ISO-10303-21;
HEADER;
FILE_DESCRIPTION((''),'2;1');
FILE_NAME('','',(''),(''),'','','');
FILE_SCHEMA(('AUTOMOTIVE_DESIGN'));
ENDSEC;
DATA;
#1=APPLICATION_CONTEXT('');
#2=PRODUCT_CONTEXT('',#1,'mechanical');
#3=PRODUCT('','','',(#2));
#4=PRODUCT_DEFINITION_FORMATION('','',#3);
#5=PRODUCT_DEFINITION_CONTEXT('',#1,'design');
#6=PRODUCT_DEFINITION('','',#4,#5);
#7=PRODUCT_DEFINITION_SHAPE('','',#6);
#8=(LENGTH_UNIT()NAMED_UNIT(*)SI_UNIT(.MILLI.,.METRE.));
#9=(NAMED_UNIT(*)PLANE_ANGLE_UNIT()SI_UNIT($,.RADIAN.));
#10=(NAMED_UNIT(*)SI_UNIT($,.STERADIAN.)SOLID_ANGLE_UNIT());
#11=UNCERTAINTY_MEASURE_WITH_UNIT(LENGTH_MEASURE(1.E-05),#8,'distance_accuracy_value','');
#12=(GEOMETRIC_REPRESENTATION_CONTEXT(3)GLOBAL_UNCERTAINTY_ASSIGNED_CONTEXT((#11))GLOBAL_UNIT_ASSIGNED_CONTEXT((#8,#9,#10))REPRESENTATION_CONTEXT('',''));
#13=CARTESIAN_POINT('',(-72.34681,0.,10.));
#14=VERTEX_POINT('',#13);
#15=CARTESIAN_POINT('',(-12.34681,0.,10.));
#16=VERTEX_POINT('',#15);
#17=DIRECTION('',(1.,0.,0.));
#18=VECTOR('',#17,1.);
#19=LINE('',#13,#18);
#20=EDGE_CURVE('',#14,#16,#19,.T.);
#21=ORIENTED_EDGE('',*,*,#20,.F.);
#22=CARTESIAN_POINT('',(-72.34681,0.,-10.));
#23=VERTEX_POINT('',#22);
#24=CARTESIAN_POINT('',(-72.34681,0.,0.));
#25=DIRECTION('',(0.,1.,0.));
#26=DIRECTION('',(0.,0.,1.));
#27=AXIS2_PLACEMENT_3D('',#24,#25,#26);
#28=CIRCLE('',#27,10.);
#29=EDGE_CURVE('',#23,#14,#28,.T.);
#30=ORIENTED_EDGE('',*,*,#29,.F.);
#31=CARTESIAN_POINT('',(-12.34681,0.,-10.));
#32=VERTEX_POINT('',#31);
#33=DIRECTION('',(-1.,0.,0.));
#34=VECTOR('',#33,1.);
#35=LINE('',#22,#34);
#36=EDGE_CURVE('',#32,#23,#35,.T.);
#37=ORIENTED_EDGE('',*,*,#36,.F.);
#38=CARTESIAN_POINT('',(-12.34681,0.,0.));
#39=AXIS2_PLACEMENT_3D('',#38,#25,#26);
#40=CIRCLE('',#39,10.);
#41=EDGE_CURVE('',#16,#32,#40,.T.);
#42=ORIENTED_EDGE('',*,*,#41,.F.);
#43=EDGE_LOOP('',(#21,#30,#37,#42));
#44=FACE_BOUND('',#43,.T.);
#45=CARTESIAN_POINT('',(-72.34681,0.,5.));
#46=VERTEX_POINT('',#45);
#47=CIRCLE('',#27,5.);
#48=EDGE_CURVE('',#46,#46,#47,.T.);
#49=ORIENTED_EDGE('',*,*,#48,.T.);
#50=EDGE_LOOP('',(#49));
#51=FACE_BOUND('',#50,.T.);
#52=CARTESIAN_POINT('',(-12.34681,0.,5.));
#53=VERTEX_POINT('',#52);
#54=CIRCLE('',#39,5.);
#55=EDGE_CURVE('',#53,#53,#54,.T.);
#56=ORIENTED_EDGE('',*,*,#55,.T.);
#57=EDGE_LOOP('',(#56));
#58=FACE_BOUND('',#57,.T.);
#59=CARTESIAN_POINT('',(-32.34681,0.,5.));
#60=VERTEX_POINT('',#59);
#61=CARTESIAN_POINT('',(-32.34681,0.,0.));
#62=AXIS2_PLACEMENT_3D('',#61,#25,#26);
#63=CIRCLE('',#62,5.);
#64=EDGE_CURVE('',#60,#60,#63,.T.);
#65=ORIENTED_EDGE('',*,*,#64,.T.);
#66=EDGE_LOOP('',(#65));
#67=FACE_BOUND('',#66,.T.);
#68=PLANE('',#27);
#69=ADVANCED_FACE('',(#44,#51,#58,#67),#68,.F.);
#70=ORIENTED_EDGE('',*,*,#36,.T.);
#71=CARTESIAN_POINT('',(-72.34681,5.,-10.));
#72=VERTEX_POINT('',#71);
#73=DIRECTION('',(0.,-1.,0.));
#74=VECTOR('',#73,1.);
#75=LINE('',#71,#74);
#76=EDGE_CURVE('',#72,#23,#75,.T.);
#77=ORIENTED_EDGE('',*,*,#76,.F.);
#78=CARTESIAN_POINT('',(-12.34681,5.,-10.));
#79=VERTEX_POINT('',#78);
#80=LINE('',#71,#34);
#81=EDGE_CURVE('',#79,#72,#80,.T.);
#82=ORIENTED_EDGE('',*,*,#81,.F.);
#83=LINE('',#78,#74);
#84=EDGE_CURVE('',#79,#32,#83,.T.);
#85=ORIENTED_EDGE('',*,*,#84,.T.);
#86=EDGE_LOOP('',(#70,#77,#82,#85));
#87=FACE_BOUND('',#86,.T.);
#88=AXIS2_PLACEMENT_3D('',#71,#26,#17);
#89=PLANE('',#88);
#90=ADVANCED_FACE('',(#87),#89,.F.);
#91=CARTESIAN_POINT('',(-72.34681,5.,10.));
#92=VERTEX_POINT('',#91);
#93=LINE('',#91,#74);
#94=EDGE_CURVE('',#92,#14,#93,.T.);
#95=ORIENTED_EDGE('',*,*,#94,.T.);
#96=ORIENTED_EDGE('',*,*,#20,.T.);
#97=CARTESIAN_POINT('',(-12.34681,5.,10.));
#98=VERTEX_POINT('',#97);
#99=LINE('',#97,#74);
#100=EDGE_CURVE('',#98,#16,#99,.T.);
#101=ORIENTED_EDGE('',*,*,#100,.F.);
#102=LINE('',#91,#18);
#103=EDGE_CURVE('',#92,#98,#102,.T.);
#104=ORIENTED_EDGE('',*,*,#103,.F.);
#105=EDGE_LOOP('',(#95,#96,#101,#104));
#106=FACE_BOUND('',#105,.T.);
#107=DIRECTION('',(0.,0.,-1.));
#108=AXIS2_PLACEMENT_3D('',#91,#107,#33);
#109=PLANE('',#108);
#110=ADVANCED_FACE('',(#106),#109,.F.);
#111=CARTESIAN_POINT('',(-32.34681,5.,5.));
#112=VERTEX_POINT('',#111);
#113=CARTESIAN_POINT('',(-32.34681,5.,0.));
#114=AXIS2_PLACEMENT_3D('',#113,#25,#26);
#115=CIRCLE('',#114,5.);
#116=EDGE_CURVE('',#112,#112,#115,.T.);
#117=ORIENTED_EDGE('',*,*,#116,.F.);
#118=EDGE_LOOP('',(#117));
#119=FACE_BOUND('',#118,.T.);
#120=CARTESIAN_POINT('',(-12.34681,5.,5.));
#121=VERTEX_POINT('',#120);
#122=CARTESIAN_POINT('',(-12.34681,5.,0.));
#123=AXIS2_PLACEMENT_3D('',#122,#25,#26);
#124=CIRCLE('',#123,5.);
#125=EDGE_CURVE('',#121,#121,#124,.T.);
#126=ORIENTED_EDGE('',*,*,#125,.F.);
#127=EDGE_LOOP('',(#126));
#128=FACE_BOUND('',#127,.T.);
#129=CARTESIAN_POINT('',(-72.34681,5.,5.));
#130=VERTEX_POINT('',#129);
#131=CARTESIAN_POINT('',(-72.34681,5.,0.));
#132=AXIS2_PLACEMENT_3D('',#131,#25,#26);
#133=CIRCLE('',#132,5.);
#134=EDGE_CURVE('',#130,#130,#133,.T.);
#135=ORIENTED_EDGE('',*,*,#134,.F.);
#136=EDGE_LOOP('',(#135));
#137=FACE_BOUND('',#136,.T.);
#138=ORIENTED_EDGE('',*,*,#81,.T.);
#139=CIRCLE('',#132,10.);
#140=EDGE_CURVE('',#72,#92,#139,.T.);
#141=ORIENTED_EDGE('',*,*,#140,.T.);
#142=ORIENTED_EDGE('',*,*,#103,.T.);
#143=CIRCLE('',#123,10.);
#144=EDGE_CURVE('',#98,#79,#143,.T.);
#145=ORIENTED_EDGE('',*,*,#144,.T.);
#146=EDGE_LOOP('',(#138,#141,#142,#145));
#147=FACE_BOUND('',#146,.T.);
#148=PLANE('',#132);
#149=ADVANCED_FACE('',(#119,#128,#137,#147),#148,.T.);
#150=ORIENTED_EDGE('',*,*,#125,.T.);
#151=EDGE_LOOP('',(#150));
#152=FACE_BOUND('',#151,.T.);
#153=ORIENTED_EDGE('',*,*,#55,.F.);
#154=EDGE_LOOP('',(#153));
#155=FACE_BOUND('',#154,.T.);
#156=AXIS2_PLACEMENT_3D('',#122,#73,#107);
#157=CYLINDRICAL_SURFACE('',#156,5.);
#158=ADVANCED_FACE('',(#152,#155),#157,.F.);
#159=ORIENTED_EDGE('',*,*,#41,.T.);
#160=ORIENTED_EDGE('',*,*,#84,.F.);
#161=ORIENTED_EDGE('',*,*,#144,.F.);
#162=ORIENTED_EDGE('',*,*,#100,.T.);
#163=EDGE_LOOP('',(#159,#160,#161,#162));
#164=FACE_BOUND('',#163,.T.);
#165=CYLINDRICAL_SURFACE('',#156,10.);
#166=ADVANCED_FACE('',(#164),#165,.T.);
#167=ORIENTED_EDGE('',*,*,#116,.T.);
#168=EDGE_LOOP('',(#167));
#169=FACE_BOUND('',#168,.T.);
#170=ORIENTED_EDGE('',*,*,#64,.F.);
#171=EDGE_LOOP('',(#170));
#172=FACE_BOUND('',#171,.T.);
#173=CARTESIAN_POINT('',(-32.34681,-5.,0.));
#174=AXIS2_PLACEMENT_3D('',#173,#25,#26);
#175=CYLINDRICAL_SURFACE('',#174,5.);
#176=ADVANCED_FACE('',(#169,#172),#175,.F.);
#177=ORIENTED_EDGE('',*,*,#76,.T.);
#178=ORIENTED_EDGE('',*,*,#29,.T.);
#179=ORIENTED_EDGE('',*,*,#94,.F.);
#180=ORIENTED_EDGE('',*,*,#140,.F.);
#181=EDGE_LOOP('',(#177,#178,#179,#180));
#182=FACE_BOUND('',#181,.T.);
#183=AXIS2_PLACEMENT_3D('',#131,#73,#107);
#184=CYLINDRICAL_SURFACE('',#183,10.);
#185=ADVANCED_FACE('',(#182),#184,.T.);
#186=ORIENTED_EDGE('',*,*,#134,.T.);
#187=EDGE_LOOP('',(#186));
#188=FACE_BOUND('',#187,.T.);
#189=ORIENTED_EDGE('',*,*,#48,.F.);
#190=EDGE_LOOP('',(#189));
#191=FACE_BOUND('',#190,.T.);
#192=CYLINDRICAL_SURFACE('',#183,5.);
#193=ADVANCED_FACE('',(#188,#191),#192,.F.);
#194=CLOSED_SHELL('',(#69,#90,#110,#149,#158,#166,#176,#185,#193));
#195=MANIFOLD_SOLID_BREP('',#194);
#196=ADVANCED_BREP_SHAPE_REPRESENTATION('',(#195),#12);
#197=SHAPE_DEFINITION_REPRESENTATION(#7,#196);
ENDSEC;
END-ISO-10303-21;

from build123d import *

# Parameters (mm, degrees)
SKETCH1_R           = 5
BOSS_EXTRUDE1_DEPTH = 5
SKETCH2_R           = 5
CUT_EXTRUDE1_DEPTH  = 10


with BuildPart() as part:
    # Sketch1 → Boss-Extrude1 (new body)
    with BuildSketch(Plane(origin=(0, 0, 0), x_dir=(1, 0, 0), z_dir=(0, 1, 0))):
        with BuildLine():
            Line((-72.346809709, 10), (-12.346809709, 10))
            ThreePointArc((-12.346809709, 10), (-2.346809709, 0), (-12.346809709, -10))
            Line((-12.346809709, -10), (-72.346809709, -10))
            ThreePointArc((-72.346809709, -10), (-82.346809709, 0), (-72.346809709, 10))
        make_face()
        with Locations(Location((-72.346809709, 0, 0), (0, 0, 270))):
            Circle(SKETCH1_R, mode=Mode.SUBTRACT)
        with Locations(Location((-12.346809709, 0, 0), (0, 0, 270))):
            Circle(SKETCH1_R, mode=Mode.SUBTRACT)
    extrude(amount=BOSS_EXTRUDE1_DEPTH)

    # Sketch2 → Cut-Extrude1 (cut)
    with BuildSketch(Plane(origin=(0, 5, 0), x_dir=(1, 0, 0), z_dir=(0, 1, 0))):
        with Locations(Location((-32.346809709, 0, 0), (0, 0, 270))):
            Circle(SKETCH2_R)
    extrude(amount=-CUT_EXTRUDE1_DEPTH, mode=Mode.SUBTRACT)


solid = part.part
